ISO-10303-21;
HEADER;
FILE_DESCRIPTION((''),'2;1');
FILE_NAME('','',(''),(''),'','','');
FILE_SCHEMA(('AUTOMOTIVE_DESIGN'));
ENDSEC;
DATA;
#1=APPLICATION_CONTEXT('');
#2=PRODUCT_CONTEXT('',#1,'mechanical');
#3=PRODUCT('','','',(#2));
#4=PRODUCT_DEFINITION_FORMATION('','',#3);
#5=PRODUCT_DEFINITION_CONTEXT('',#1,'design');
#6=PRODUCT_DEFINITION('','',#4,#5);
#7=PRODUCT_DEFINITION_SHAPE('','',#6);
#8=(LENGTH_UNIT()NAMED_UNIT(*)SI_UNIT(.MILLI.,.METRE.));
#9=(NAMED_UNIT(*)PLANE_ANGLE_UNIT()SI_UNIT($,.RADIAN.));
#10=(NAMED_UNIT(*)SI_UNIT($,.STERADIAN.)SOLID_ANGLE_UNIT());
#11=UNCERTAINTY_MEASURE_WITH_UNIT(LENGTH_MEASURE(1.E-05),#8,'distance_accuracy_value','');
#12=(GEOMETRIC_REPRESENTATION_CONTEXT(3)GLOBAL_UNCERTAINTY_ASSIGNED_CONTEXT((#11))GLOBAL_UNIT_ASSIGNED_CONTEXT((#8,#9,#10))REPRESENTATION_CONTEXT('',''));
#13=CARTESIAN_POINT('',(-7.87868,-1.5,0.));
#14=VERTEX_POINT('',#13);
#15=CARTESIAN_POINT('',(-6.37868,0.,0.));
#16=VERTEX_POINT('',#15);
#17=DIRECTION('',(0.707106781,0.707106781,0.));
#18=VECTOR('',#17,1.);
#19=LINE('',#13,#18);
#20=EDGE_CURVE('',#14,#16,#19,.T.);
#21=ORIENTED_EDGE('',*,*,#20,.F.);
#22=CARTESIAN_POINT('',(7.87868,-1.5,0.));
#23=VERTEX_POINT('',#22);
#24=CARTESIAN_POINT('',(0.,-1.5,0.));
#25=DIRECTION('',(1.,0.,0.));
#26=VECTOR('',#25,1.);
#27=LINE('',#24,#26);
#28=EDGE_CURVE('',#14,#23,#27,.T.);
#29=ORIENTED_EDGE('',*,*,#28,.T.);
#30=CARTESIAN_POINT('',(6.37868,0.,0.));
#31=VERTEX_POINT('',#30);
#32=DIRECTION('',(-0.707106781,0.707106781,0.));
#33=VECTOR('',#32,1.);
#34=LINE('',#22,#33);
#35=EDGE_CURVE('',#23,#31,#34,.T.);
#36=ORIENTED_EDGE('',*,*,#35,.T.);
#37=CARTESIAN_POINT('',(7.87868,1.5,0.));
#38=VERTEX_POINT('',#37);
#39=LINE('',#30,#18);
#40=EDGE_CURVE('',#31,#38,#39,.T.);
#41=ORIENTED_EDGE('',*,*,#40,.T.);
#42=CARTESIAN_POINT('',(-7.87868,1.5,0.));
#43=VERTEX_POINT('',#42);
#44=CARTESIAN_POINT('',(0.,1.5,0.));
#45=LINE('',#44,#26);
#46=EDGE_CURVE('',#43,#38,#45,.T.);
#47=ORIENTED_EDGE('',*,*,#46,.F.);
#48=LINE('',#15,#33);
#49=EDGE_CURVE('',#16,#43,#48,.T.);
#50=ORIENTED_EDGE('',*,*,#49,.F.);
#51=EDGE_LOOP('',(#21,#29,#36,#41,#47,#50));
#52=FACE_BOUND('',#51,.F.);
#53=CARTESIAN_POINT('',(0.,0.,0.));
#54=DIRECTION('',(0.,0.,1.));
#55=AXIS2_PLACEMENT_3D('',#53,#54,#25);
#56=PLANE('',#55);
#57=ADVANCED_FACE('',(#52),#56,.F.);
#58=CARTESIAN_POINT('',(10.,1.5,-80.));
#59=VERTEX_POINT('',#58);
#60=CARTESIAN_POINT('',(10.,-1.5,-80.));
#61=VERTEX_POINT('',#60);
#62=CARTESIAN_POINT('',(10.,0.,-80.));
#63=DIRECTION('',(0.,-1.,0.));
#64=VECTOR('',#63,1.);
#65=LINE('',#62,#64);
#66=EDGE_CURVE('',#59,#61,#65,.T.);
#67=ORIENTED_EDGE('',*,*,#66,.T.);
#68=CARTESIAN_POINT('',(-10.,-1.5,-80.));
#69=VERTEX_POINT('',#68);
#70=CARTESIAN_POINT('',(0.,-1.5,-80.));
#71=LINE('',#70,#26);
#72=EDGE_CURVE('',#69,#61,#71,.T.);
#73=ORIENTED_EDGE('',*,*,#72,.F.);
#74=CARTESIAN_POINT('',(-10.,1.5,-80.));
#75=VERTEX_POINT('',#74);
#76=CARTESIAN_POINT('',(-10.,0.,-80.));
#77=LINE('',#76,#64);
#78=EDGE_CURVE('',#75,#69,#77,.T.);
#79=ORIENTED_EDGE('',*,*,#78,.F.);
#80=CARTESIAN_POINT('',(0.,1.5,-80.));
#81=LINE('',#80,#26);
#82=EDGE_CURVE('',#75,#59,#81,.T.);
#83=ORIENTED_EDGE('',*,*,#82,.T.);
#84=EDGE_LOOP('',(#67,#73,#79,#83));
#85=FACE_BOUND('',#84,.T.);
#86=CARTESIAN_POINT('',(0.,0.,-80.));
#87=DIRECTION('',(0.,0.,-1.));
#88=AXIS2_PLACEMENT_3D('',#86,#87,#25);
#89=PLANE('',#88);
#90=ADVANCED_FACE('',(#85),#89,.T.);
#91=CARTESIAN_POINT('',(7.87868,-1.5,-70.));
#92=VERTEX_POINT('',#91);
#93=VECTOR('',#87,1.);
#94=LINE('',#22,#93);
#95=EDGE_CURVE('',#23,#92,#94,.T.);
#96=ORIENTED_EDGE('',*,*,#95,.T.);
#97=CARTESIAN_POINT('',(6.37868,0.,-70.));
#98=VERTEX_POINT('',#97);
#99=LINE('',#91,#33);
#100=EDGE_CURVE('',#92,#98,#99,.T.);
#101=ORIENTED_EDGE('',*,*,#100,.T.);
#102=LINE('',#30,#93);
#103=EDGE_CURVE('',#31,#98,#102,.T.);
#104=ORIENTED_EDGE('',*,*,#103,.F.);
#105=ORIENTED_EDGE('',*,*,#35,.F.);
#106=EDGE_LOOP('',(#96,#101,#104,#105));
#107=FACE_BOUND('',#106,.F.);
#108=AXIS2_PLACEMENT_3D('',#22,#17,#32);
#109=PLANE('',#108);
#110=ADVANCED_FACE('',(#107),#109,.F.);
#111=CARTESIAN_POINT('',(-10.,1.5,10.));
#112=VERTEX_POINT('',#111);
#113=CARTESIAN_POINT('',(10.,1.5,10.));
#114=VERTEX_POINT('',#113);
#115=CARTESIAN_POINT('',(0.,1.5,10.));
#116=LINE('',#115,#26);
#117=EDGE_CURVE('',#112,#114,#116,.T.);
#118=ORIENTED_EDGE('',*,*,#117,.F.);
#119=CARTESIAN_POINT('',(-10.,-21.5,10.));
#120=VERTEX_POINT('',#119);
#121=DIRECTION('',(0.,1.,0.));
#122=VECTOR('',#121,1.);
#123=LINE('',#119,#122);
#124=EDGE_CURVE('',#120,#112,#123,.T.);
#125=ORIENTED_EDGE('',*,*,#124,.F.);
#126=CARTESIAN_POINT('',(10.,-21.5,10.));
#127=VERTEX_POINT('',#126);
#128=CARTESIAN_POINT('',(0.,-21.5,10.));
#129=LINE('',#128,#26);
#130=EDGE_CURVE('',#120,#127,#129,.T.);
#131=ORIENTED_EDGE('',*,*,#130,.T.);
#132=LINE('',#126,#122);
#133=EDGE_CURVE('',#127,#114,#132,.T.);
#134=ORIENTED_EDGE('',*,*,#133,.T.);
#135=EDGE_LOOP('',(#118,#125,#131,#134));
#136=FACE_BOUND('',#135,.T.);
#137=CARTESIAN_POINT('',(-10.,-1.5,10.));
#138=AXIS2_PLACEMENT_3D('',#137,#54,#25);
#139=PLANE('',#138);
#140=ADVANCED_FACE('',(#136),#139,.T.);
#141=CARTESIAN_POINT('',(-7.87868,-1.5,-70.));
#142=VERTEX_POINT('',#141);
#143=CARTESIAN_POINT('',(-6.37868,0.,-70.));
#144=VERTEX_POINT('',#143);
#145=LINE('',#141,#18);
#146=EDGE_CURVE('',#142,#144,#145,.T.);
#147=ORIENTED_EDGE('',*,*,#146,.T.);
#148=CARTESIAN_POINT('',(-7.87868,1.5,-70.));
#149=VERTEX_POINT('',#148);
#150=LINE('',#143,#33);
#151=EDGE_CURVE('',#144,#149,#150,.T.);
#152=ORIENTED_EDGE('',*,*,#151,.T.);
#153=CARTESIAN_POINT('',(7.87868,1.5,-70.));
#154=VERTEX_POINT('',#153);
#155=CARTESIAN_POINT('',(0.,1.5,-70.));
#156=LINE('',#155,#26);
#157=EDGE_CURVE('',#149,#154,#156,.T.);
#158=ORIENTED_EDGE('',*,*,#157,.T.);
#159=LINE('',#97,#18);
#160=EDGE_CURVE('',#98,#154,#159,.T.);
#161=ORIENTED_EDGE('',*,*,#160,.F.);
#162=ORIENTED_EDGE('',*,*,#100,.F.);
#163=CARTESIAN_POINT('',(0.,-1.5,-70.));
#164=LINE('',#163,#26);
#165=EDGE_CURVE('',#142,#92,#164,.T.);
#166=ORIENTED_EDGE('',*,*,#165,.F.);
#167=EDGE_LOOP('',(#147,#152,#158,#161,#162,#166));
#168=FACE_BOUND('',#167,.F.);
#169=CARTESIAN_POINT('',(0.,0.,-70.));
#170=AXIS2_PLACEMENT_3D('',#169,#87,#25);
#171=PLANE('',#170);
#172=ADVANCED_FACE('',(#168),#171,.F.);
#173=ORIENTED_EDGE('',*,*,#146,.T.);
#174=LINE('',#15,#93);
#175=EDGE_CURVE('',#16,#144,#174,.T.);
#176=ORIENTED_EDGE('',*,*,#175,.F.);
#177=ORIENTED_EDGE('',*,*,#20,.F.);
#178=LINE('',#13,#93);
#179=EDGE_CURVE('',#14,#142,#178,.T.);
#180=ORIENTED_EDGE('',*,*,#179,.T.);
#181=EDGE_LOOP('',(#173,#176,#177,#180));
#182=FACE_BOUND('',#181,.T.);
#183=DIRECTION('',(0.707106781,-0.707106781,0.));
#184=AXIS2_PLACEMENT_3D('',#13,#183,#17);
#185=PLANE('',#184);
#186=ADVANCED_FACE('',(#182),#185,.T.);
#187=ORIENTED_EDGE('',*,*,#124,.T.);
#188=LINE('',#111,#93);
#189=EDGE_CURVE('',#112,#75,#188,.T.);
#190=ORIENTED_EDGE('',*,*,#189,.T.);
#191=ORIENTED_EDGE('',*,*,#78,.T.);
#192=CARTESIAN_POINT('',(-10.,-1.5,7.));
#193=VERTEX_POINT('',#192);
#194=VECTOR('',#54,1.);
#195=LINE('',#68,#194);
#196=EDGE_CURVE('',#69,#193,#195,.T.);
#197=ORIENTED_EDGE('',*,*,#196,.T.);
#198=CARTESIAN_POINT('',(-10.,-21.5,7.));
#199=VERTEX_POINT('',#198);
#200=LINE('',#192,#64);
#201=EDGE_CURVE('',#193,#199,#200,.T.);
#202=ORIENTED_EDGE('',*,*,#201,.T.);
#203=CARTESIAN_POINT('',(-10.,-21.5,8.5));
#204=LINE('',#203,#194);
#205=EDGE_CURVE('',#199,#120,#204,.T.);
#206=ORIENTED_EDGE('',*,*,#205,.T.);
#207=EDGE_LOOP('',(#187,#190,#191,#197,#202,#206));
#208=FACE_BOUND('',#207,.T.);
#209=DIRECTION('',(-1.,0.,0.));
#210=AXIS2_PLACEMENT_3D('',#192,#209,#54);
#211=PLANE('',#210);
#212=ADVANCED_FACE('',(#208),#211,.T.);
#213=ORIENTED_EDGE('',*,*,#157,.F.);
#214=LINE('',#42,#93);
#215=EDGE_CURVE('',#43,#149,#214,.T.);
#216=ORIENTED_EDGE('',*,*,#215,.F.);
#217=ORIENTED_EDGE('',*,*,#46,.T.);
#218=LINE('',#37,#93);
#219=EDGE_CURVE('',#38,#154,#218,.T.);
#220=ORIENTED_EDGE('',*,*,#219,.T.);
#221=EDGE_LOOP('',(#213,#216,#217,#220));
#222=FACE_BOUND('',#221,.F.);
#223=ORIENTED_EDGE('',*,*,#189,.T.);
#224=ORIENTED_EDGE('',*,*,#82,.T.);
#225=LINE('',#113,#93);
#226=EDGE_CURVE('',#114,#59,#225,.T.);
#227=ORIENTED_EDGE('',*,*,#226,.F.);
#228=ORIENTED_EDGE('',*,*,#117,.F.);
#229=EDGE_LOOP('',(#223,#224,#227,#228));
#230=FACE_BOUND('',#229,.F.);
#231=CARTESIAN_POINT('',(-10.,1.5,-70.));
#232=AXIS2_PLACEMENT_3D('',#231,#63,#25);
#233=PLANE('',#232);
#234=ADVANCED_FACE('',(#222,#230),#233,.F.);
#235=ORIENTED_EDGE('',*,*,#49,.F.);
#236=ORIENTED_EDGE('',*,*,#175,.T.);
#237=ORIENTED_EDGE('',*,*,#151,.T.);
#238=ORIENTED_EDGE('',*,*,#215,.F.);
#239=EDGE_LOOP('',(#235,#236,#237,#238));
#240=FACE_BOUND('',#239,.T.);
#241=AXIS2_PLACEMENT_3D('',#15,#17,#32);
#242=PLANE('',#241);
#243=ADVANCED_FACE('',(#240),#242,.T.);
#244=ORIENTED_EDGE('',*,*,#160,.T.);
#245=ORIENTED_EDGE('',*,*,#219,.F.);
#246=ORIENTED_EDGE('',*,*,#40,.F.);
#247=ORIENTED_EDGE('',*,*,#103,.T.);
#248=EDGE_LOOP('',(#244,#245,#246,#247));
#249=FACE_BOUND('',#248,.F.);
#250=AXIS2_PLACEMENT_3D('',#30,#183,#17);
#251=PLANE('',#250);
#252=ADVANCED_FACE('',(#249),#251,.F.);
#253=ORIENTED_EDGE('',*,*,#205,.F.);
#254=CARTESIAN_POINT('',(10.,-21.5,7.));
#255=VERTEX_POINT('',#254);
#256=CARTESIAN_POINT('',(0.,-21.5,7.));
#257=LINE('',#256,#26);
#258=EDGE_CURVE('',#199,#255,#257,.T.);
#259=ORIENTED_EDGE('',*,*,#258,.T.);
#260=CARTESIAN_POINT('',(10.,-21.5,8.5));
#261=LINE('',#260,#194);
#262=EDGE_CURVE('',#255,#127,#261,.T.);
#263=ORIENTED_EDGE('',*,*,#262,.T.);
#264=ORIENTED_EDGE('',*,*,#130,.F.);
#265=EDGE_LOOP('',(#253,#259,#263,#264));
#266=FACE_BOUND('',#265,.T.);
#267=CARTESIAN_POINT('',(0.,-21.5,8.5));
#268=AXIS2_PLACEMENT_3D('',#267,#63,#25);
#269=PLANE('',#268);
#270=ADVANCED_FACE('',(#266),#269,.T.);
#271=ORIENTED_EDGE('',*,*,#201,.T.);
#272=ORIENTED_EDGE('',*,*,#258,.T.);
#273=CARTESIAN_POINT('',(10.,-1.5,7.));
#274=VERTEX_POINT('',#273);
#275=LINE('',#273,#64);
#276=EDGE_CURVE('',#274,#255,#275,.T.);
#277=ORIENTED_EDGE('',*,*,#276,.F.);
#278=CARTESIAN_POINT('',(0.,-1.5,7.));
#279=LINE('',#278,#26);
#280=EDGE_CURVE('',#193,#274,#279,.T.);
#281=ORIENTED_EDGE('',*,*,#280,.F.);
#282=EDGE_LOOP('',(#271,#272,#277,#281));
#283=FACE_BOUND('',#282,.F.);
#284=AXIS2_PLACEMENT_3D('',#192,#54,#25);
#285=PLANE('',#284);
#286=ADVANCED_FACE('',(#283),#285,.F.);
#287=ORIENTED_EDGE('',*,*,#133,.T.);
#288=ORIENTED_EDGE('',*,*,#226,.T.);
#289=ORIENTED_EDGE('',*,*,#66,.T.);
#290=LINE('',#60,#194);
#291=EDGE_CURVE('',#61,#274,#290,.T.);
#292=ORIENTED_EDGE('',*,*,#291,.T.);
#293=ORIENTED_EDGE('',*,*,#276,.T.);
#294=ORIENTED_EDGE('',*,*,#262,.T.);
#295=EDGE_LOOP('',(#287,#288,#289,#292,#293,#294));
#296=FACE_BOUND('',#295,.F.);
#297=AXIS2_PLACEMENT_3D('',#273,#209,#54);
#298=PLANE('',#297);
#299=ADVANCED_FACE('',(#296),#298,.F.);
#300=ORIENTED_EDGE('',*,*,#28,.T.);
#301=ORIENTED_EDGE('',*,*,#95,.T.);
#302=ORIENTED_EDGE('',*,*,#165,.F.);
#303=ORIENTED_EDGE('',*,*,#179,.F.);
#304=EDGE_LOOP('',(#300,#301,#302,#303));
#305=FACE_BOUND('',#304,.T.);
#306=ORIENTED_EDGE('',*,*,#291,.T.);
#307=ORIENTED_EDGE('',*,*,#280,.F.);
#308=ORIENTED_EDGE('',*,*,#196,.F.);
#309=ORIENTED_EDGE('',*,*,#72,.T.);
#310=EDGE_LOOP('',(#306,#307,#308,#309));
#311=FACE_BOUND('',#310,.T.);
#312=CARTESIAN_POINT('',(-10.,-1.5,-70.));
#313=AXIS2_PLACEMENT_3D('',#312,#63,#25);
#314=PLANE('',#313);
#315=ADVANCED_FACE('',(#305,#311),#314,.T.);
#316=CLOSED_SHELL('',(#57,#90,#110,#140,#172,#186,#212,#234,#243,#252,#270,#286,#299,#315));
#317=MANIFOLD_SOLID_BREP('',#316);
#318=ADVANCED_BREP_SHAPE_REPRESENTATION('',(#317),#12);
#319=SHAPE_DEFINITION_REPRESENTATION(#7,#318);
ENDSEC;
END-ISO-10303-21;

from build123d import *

# Parameters (mm, degrees)
SKETCH_W     = 20
SKETCH_H     = 3
PAD_DEPTH    = 10
PAD001_DEPTH = 70
SKETCH002_W  = 20
SKETCH002_H  = 3
PAD002_DEPTH = 10
SKETCH006_W  = 20
SKETCH006_H  = 3
PAD004_DEPTH = 20


with BuildPart() as part:
    # Sketch (on XY_Plane of Origin) → Pad (new body)
    with BuildSketch(Plane.XY):
        Rectangle(SKETCH_W, SKETCH_H)
    extrude(amount=PAD_DEPTH)

    # Sketch001 (on Face5 of Pad) → Pad001 (join)
    with BuildSketch(Plane(origin=(0, 0, 0), x_dir=(1, 0, 0), z_dir=(0, 0, -1))):
        Polygon((-7.87868, 1.5), (-6.37868, 0), (-7.87868, -1.5), (-10, -1.5), (-10, 1.5), align=None)
        Polygon((7.87868, 1.5), (6.37868, 0), (7.87868, -1.5), (10, -1.5), (10, 1.5), align=None)
    extrude(amount=PAD001_DEPTH)

    # Sketch002 (on Face7 of Pad001) → Pad002 (join)
    with BuildSketch(Plane(origin=(0, 0, -70), x_dir=(1, 0, 0), z_dir=(0, 0, -1))):
        Rectangle(SKETCH002_W, SKETCH002_H)
    extrude(amount=PAD002_DEPTH)

    # Sketch006 (on Face10 of Pad002) → Pad004 (join)
    with BuildSketch(Plane.XZ.offset(1.5)):
        with Locations((0, 8.5)):
            Rectangle(SKETCH006_W, SKETCH006_H)
    extrude(amount=PAD004_DEPTH)


solid = part.part
